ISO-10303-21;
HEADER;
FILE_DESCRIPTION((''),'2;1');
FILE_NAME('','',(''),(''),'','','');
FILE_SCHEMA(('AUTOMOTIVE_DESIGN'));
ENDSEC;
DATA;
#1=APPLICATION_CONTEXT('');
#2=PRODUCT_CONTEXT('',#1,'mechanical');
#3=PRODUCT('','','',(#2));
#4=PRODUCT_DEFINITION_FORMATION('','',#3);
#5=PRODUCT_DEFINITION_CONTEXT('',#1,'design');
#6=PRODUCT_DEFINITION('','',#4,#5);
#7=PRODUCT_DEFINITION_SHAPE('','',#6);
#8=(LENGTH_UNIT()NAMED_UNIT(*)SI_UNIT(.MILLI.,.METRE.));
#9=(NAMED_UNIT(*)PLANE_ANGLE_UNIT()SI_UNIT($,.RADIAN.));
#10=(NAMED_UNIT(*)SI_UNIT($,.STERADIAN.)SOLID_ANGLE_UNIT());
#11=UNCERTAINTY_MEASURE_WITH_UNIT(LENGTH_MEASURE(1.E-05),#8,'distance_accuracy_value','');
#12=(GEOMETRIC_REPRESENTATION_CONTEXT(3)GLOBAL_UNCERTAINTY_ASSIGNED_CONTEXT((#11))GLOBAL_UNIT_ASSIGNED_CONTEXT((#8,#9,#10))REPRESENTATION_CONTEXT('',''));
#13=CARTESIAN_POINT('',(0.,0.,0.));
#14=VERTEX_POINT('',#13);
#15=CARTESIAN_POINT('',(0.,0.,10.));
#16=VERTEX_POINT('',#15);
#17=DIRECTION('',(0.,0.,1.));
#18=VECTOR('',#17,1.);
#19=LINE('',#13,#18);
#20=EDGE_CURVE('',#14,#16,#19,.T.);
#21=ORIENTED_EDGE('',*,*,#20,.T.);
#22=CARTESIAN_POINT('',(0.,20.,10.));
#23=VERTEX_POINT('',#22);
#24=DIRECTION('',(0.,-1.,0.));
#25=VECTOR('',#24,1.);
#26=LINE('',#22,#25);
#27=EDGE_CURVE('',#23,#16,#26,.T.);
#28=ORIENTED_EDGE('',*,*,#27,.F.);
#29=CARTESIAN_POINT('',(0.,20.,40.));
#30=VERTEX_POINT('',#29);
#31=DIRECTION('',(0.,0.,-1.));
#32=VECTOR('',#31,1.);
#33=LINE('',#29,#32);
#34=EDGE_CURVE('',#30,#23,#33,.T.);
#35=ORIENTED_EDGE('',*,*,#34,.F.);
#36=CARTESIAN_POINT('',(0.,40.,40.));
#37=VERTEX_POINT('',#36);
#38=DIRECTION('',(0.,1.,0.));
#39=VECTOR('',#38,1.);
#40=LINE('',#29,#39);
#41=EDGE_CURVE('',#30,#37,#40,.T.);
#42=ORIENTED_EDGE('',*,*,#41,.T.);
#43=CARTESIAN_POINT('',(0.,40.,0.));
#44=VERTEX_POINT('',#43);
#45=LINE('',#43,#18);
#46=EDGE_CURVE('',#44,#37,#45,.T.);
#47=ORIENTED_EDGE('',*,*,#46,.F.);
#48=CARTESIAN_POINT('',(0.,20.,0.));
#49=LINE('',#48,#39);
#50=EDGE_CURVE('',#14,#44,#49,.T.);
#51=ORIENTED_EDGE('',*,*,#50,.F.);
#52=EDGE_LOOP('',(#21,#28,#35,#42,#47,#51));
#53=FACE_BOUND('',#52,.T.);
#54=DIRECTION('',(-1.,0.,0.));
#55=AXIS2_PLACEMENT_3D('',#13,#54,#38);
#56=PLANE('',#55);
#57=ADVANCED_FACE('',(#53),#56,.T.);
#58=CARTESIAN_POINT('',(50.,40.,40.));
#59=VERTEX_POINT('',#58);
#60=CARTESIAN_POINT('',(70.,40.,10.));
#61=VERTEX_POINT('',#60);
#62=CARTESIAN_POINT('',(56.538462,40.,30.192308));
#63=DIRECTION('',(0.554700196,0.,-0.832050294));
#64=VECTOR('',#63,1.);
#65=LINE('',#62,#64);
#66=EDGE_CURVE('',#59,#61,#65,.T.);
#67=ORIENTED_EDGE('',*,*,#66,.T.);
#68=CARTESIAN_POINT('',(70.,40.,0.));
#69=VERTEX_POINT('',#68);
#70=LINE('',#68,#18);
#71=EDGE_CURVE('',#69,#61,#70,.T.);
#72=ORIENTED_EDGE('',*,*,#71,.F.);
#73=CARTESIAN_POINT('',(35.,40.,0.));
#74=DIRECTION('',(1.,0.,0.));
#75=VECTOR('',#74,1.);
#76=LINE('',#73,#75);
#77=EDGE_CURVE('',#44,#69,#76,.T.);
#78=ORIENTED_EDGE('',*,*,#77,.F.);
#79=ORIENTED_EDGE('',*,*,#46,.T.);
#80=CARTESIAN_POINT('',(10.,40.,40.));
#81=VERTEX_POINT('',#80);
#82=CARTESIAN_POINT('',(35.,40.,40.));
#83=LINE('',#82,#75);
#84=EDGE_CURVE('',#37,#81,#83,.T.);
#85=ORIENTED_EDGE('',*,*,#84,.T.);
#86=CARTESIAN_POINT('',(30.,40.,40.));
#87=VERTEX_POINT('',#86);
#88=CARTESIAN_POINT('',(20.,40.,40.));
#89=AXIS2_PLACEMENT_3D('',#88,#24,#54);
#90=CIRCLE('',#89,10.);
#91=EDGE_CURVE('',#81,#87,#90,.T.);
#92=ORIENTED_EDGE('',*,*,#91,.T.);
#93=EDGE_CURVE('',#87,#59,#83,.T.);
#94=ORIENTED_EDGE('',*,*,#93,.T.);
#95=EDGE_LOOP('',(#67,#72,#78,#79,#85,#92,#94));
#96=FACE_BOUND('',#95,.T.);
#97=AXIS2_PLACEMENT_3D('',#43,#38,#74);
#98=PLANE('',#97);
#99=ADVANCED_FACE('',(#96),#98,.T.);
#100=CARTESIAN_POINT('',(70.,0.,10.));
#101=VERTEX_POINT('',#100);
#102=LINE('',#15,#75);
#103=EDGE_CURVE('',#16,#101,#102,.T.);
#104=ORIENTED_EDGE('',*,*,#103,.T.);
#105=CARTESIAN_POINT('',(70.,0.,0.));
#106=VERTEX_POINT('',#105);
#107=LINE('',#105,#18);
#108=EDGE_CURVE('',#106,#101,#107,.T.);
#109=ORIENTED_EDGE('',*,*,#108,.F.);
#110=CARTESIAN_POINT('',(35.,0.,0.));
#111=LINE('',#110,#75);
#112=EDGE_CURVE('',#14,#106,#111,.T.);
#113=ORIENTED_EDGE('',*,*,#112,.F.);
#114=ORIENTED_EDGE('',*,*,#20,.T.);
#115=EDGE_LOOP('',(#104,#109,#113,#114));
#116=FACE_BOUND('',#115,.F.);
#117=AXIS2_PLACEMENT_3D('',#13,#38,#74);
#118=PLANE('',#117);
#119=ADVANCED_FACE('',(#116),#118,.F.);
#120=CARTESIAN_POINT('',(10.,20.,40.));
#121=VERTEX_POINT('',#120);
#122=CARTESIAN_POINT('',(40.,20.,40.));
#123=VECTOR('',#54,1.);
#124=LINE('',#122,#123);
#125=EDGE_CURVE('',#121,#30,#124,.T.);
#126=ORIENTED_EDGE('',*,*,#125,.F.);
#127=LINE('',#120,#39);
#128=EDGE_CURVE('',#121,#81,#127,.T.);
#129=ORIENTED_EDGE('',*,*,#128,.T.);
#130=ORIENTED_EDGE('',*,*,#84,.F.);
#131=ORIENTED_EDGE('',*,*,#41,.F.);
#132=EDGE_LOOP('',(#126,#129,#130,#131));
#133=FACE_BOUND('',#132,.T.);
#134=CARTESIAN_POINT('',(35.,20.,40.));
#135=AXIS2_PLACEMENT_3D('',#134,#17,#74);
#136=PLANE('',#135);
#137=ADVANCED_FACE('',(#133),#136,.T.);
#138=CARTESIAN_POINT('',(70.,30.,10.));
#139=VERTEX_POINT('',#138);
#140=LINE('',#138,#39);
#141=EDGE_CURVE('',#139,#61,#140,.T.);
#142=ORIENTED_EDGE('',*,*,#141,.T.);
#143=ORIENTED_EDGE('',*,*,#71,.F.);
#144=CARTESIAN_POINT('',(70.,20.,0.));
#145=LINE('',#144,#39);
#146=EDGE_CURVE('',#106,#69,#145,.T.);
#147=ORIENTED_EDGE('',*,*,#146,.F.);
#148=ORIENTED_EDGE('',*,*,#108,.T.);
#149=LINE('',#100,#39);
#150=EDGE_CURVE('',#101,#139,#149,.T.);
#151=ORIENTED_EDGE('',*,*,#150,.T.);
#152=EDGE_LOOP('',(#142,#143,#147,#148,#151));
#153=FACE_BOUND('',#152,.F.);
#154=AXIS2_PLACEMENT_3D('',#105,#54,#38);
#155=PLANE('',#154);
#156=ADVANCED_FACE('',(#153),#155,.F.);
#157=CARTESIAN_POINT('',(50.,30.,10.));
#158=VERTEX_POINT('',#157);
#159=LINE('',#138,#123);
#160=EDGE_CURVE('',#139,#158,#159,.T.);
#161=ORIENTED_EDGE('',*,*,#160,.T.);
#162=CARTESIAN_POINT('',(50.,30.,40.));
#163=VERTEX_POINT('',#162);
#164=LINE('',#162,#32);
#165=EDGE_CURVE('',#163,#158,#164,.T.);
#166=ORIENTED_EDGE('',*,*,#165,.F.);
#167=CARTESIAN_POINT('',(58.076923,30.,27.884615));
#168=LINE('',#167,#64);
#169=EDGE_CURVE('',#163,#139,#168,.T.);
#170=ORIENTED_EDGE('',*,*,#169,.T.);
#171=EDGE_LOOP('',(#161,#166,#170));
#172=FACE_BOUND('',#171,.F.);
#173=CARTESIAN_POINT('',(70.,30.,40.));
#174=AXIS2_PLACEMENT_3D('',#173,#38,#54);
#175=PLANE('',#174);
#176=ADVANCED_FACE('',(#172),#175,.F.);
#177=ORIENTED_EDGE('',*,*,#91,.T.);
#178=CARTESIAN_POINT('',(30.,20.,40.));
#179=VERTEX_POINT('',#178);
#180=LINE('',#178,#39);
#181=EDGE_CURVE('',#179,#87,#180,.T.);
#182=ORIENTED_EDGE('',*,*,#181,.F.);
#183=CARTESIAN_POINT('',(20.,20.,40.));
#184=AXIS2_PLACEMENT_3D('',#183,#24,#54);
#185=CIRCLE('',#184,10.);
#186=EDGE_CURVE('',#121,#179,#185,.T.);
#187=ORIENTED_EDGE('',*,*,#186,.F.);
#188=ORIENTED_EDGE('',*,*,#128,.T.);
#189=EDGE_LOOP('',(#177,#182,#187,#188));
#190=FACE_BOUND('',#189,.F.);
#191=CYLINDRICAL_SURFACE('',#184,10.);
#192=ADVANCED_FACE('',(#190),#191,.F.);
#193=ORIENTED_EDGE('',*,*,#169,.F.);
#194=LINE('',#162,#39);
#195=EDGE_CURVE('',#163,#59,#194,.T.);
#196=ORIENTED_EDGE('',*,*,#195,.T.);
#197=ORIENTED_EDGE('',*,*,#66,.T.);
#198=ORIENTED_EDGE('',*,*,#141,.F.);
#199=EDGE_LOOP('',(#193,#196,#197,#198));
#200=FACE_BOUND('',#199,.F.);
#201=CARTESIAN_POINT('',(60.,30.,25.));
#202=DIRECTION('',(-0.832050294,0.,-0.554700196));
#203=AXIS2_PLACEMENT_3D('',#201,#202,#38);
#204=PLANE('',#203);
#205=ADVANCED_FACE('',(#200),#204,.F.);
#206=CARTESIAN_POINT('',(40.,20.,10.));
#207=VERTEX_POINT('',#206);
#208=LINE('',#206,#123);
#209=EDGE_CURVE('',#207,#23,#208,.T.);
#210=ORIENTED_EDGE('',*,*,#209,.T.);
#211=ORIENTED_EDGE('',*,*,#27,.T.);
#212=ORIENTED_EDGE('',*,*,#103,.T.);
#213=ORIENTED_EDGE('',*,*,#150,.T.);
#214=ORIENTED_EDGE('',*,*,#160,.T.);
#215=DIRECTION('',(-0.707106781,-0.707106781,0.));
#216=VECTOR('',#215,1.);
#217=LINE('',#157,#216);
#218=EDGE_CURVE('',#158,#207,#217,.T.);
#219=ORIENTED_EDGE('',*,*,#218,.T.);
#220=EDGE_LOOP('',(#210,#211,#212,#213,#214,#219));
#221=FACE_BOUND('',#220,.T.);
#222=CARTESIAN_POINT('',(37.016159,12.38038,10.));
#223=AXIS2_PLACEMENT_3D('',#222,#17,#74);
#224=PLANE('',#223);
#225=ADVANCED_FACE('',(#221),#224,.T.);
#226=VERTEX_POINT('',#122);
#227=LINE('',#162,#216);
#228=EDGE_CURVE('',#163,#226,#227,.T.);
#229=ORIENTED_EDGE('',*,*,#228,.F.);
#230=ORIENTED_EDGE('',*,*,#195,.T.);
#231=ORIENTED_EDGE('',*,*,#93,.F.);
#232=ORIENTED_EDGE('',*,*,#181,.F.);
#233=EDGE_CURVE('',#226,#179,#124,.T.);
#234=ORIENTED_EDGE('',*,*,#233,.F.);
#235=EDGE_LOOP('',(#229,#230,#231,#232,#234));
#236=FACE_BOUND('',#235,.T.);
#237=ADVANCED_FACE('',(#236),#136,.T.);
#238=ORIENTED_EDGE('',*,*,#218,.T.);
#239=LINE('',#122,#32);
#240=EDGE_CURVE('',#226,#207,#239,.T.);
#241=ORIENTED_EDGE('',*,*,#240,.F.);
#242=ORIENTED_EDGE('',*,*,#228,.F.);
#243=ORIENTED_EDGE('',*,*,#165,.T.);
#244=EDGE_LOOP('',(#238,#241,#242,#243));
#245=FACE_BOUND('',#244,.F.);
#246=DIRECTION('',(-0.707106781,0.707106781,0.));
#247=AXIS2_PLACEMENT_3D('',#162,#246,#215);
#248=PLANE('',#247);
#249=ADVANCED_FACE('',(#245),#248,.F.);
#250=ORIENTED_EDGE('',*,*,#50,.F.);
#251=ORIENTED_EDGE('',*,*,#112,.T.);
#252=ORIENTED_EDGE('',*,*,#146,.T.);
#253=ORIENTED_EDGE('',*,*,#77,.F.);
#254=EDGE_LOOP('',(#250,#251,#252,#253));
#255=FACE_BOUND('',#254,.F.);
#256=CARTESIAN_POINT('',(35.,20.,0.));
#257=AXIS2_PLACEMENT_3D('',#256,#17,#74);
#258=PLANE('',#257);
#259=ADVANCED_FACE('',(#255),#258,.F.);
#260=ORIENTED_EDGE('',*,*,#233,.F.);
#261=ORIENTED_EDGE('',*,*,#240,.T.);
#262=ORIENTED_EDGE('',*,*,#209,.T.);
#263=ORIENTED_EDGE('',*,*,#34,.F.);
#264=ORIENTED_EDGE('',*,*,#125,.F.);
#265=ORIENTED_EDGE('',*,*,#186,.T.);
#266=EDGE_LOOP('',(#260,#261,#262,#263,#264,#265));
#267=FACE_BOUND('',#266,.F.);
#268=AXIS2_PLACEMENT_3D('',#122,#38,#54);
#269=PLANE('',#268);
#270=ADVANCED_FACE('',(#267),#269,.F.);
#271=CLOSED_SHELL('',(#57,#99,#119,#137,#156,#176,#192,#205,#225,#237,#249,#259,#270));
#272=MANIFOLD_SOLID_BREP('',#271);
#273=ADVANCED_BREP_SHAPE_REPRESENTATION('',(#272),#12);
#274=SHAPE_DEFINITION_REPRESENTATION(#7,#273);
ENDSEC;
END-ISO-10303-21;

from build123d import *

# Parameters (mm, degrees)
F0_W     = 70
F0_H     = 40
F1_DEPTH = 40
F3_DEPTH = 30
F4_SIZE2 = 30
F4_SIZE  = 20
F6_DEPTH = 20


with BuildPart() as f1:
    # F0 (on Top) → F1 (new body)
    with BuildSketch(Plane.XY):
        with Locations((35, 20)):
            Rectangle(F0_W, F0_H)
    extrude(amount=F1_DEPTH)

    # F2 (on face) → F3 (cut)
    with BuildSketch(Plane.XY.offset(40)):
        Polygon((40, 20), (0, 20), (0, 0), (70, 0), (70, 30), (50, 30), align=None)
    extrude(amount=-F3_DEPTH, mode=Mode.SUBTRACT)

    # F4
    f4_edges = [f1.edges().sort_by_distance(p)[0] for p in [
        (70, 35, 40),
    ]]
    chamfer(f4_edges, length=F4_SIZE, length2=F4_SIZE2)

    # F5 (on face) → F6 (cut, through all)
    with BuildSketch(Plane.XZ.offset(-20)):
        with BuildLine():
            Line((30, 40), (10, 40))
            ThreePointArc((10, 40), (20, 30), (30, 40))
        make_face()
    extrude(amount=-F6_DEPTH, mode=Mode.SUBTRACT)


solid = f1.part
